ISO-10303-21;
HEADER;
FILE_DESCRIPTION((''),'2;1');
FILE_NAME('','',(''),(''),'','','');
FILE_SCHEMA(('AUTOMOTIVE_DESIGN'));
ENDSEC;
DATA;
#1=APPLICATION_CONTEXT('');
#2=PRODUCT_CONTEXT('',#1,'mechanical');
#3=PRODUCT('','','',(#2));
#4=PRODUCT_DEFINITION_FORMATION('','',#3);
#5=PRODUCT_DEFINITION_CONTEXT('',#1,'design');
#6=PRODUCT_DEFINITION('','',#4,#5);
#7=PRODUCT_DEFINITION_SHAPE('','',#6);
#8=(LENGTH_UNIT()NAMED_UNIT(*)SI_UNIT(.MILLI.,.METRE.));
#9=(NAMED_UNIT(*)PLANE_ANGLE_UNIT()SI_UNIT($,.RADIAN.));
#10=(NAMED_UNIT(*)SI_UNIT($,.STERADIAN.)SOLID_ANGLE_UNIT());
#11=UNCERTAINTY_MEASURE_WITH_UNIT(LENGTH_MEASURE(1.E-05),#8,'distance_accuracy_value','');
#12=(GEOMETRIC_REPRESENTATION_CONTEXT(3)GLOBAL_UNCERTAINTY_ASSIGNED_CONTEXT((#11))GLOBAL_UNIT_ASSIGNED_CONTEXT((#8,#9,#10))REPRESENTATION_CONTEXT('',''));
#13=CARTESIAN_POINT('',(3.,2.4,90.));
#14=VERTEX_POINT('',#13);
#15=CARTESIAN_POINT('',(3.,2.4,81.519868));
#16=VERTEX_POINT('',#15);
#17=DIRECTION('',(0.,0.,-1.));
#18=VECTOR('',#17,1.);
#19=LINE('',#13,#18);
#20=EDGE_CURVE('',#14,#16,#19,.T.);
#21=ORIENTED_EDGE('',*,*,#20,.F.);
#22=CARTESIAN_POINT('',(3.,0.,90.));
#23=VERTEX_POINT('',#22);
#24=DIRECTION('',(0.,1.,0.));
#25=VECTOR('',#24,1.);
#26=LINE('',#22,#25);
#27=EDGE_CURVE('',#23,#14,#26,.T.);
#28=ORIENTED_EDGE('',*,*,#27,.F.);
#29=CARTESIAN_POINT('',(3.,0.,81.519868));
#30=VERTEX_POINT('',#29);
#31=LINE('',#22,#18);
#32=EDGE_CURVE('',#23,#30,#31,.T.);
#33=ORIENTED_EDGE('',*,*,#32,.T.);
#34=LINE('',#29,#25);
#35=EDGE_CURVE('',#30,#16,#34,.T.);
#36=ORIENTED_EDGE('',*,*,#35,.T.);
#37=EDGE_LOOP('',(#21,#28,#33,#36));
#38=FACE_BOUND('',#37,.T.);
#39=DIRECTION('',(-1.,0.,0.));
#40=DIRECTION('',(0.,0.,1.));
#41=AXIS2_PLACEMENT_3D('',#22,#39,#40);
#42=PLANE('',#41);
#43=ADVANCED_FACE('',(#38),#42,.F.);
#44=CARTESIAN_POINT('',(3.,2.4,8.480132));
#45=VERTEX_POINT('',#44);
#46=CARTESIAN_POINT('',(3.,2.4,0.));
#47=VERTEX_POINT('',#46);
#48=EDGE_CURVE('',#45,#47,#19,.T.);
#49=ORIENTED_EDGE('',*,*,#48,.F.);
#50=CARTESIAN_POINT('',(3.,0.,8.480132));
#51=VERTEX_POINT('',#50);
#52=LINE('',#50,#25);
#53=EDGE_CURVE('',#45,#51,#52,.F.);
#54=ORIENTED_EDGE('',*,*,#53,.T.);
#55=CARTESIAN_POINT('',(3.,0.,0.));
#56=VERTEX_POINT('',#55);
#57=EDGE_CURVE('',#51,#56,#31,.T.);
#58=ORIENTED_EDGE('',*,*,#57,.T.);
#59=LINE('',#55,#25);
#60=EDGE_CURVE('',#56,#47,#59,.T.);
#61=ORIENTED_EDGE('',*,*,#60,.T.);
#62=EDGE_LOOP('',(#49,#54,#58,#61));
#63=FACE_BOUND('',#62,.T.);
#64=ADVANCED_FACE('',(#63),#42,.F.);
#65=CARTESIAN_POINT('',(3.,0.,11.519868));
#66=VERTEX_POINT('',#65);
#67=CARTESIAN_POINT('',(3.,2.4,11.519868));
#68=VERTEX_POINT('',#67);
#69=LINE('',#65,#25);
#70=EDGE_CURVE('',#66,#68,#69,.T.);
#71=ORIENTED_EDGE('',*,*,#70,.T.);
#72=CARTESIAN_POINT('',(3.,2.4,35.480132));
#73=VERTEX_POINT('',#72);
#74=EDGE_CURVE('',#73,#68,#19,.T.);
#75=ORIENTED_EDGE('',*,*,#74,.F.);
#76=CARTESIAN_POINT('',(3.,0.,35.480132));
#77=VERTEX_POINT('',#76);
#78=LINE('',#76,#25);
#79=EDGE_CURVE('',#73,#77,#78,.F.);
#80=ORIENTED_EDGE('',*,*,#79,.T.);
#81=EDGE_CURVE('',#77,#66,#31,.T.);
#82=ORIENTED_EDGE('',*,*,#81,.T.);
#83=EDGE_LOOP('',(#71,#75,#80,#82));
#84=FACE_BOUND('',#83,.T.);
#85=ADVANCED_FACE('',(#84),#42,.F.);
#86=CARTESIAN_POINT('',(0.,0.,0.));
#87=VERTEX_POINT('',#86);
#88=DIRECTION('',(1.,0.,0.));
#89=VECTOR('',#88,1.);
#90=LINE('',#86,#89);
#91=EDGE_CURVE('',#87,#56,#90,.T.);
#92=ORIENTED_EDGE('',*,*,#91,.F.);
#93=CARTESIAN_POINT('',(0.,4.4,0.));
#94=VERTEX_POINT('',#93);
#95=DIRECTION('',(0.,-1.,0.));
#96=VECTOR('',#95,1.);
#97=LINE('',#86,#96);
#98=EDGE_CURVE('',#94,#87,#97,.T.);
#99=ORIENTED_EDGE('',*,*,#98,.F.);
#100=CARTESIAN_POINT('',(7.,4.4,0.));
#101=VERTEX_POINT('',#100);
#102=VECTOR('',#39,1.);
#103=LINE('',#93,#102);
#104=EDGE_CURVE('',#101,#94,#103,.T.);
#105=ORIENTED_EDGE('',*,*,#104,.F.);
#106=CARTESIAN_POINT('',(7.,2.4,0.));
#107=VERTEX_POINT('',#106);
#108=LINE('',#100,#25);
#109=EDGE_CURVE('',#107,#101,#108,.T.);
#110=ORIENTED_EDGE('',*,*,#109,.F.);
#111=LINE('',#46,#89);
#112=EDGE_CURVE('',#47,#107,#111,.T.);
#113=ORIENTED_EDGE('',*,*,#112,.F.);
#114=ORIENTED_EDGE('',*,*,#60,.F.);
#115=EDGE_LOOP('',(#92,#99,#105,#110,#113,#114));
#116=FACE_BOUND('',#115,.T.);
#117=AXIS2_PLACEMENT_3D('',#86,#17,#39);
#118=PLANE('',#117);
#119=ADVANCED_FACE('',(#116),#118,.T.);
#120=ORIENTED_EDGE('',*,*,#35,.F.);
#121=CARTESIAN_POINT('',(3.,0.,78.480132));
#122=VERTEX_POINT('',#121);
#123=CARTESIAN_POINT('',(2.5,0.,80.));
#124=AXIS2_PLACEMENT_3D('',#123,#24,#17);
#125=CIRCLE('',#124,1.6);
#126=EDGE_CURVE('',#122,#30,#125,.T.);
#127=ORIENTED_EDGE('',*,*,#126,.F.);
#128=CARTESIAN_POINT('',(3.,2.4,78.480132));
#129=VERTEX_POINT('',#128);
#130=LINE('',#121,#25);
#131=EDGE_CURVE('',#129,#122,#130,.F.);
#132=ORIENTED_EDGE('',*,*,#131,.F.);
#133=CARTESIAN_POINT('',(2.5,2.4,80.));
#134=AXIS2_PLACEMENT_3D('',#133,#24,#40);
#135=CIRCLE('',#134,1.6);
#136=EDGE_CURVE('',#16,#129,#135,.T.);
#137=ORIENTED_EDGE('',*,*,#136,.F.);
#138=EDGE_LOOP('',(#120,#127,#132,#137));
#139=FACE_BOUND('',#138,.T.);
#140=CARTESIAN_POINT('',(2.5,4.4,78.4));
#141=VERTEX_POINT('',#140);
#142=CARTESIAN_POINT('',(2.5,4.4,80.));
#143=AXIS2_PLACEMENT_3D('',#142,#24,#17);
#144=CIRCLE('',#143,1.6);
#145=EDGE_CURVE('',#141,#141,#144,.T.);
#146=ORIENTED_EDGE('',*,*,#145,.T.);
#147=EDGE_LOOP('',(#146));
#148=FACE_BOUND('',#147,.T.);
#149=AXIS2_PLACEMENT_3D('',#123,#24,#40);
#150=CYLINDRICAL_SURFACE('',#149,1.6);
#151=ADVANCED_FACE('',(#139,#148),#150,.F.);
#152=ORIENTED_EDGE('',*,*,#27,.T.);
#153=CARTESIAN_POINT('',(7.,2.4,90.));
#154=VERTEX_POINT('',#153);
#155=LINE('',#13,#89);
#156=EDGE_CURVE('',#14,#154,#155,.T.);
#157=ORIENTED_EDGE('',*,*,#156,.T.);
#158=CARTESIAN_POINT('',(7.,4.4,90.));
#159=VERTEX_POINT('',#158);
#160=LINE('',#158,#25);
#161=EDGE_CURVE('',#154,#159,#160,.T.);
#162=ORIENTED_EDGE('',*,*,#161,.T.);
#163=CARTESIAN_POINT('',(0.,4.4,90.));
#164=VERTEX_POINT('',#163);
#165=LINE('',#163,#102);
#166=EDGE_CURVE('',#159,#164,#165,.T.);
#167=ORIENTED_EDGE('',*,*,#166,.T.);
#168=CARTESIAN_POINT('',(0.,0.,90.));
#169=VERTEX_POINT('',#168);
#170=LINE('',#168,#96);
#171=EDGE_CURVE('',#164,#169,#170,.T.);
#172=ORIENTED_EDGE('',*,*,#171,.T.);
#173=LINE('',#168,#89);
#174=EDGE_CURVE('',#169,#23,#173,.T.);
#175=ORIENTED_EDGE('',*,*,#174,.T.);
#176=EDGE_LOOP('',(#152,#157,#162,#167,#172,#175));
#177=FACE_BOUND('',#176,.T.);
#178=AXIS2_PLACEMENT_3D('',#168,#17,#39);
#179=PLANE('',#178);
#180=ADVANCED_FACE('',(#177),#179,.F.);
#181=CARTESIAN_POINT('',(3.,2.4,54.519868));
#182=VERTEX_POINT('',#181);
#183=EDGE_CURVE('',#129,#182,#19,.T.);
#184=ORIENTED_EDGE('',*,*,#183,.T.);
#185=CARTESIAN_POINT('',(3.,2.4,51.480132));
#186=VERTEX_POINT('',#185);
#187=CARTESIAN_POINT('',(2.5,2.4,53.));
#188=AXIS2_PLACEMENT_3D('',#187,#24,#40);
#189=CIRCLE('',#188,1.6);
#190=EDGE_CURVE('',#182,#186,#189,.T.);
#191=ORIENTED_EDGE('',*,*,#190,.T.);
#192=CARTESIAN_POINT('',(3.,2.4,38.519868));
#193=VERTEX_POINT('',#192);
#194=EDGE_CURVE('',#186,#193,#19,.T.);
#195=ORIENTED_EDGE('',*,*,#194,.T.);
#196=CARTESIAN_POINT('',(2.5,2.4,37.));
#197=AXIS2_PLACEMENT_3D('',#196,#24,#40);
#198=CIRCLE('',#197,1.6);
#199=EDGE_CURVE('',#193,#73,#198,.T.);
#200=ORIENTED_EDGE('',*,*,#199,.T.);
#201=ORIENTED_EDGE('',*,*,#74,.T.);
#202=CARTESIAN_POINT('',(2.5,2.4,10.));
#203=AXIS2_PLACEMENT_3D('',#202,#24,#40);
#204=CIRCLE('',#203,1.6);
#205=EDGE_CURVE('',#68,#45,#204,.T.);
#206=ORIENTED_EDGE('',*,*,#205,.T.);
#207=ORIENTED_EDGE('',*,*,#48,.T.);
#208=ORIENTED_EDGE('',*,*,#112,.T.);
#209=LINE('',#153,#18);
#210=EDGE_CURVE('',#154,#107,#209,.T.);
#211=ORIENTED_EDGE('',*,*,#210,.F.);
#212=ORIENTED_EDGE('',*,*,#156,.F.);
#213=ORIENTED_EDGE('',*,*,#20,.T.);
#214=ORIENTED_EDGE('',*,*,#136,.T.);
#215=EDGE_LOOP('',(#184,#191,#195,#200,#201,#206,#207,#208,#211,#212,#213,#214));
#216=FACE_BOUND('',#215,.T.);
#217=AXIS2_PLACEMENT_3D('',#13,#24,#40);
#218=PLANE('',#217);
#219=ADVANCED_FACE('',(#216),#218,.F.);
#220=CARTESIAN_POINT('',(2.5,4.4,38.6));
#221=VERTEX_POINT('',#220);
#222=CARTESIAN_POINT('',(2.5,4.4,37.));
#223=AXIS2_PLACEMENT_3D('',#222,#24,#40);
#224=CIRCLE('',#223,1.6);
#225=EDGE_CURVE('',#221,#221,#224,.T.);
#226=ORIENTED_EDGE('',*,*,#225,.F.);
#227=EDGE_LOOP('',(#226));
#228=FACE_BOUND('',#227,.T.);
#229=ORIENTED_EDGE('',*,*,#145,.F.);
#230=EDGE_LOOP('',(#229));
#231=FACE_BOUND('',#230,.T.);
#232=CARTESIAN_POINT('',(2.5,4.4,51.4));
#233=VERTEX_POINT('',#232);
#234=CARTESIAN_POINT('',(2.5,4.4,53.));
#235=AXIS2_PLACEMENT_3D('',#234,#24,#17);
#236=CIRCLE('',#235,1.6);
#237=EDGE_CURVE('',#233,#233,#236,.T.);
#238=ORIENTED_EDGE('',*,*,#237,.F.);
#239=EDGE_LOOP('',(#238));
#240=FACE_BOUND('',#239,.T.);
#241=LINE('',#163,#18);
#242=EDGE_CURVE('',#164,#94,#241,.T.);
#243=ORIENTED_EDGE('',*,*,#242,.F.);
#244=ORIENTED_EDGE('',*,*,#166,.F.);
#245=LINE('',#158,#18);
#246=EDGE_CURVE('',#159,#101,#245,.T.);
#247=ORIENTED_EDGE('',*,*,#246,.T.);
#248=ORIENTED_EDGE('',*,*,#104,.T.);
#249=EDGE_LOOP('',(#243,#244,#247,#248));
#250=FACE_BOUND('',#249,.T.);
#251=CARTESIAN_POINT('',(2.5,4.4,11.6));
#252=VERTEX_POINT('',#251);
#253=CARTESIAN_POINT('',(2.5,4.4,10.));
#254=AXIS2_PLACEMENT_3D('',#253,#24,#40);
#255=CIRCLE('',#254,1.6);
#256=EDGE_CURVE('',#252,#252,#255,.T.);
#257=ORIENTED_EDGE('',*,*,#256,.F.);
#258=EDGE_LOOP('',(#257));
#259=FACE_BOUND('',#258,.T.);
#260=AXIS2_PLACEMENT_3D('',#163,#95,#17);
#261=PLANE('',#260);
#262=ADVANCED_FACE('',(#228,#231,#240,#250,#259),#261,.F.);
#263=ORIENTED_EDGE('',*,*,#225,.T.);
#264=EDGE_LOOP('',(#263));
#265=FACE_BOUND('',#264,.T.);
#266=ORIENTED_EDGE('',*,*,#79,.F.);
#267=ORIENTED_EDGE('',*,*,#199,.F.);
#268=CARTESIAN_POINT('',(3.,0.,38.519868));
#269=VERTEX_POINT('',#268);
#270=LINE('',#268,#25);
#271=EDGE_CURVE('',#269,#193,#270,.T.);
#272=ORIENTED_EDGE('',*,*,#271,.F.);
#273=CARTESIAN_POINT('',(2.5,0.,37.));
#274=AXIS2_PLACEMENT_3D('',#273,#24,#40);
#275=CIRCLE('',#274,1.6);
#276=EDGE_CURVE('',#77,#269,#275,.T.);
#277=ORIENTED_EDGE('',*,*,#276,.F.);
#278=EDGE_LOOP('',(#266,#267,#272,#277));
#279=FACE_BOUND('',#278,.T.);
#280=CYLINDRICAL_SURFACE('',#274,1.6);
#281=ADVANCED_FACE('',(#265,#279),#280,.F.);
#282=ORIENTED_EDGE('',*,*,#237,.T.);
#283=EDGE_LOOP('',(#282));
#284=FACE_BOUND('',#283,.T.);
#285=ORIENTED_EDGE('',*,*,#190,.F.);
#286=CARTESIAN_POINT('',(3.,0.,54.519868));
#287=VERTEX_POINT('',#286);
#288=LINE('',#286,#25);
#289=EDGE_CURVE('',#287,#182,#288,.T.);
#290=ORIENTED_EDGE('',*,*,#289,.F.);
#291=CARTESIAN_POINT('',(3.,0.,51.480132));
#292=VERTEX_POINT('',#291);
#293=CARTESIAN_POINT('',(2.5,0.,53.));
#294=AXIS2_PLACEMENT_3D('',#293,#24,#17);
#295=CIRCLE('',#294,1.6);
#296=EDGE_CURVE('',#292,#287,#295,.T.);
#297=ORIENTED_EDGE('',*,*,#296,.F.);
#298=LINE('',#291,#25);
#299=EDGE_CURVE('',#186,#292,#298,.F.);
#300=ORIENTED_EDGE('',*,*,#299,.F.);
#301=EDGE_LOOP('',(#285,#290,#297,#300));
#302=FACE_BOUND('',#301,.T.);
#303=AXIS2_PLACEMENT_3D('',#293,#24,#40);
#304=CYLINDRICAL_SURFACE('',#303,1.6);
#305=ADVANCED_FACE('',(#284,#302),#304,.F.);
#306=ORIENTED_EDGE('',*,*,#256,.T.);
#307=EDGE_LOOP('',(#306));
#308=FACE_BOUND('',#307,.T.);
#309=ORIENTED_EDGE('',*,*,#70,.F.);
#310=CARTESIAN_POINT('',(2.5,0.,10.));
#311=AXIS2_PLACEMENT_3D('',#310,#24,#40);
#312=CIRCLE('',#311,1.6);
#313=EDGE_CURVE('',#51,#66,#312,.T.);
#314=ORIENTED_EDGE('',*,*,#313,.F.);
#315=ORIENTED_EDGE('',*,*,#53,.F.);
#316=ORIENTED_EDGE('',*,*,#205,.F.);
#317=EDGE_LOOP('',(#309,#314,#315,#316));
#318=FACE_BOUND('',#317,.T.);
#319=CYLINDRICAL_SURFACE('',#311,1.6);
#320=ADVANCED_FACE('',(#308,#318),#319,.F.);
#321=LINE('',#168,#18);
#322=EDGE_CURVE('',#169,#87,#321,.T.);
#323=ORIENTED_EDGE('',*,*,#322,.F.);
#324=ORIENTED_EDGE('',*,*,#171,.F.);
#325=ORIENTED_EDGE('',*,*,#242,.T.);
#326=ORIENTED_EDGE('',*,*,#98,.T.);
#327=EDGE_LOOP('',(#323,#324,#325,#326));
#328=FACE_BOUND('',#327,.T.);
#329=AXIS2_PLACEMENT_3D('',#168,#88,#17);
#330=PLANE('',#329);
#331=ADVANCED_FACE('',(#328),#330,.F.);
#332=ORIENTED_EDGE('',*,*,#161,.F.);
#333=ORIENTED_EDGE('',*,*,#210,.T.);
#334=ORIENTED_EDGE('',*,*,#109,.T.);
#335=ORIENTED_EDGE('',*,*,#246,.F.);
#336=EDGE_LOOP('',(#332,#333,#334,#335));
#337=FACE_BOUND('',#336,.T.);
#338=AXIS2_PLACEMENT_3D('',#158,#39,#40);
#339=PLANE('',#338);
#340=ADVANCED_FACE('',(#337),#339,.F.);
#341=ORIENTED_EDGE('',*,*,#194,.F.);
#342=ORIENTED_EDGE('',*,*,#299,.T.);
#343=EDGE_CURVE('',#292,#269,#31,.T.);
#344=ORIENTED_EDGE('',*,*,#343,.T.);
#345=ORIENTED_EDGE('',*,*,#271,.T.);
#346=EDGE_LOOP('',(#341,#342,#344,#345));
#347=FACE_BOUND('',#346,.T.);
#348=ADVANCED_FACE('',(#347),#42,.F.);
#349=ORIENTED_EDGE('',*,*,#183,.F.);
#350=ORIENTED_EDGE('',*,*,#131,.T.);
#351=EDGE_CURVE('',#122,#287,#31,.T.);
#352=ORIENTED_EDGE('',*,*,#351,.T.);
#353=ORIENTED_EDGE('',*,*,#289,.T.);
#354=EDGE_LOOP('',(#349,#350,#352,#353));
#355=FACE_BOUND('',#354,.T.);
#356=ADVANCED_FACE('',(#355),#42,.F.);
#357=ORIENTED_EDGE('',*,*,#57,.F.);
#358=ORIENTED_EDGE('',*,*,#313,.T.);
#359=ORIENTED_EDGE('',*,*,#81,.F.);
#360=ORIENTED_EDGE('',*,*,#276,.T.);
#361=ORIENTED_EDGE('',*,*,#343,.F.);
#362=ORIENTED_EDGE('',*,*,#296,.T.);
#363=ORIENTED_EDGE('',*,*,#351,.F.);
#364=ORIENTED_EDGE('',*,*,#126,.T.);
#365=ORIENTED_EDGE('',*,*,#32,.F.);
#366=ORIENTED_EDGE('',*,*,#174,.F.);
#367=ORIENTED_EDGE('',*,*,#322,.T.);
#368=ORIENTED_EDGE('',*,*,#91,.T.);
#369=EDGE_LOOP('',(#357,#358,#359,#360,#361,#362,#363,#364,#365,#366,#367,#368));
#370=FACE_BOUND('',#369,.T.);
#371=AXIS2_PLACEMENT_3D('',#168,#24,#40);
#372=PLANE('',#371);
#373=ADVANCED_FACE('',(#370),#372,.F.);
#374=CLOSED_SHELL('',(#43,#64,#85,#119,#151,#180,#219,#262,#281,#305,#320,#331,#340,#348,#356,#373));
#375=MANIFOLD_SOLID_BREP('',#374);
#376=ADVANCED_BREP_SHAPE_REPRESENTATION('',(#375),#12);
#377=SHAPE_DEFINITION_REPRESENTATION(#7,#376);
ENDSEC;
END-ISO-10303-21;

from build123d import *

# Parameters (mm, degrees)
EXTRUDE_1_DEPTH     = 90
SKETCH_2_R          = 1.6
CUT_EXTRUDE_1_DEPTH = 91.378979857


with BuildPart() as part:
    # 草图1 → 凸台-拉伸1 (new body)
    with BuildSketch(Plane.XY):
        Polygon((3, 0), (3, 2.4), (7, 2.4), (7, 4.4), (0, 4.4), (0, 0), align=None)
    extrude(amount=EXTRUDE_1_DEPTH)

    # 草图2 → 切除-拉伸1 (cut, through all)
    with BuildSketch(Plane(origin=(0, 4.4, 0), x_dir=(1, 0, 0), z_dir=(0, 1, 0))):
        with Locations(Location((2.5, -37, 0), (0, 0, 270))):
            Circle(SKETCH_2_R)
        with Locations(Location((2.5, -10, 0), (0, 0, 270))):
            Circle(SKETCH_2_R)
        with Locations(Location((2.5, -80, 0), (0, 0, 288.209956864))):
            Circle(SKETCH_2_R)
        with Locations(Location((2.5, -53, 0), (0, 0, 288.209956864))):
            Circle(SKETCH_2_R)
    extrude(amount=-CUT_EXTRUDE_1_DEPTH, mode=Mode.SUBTRACT)


solid = part.part
